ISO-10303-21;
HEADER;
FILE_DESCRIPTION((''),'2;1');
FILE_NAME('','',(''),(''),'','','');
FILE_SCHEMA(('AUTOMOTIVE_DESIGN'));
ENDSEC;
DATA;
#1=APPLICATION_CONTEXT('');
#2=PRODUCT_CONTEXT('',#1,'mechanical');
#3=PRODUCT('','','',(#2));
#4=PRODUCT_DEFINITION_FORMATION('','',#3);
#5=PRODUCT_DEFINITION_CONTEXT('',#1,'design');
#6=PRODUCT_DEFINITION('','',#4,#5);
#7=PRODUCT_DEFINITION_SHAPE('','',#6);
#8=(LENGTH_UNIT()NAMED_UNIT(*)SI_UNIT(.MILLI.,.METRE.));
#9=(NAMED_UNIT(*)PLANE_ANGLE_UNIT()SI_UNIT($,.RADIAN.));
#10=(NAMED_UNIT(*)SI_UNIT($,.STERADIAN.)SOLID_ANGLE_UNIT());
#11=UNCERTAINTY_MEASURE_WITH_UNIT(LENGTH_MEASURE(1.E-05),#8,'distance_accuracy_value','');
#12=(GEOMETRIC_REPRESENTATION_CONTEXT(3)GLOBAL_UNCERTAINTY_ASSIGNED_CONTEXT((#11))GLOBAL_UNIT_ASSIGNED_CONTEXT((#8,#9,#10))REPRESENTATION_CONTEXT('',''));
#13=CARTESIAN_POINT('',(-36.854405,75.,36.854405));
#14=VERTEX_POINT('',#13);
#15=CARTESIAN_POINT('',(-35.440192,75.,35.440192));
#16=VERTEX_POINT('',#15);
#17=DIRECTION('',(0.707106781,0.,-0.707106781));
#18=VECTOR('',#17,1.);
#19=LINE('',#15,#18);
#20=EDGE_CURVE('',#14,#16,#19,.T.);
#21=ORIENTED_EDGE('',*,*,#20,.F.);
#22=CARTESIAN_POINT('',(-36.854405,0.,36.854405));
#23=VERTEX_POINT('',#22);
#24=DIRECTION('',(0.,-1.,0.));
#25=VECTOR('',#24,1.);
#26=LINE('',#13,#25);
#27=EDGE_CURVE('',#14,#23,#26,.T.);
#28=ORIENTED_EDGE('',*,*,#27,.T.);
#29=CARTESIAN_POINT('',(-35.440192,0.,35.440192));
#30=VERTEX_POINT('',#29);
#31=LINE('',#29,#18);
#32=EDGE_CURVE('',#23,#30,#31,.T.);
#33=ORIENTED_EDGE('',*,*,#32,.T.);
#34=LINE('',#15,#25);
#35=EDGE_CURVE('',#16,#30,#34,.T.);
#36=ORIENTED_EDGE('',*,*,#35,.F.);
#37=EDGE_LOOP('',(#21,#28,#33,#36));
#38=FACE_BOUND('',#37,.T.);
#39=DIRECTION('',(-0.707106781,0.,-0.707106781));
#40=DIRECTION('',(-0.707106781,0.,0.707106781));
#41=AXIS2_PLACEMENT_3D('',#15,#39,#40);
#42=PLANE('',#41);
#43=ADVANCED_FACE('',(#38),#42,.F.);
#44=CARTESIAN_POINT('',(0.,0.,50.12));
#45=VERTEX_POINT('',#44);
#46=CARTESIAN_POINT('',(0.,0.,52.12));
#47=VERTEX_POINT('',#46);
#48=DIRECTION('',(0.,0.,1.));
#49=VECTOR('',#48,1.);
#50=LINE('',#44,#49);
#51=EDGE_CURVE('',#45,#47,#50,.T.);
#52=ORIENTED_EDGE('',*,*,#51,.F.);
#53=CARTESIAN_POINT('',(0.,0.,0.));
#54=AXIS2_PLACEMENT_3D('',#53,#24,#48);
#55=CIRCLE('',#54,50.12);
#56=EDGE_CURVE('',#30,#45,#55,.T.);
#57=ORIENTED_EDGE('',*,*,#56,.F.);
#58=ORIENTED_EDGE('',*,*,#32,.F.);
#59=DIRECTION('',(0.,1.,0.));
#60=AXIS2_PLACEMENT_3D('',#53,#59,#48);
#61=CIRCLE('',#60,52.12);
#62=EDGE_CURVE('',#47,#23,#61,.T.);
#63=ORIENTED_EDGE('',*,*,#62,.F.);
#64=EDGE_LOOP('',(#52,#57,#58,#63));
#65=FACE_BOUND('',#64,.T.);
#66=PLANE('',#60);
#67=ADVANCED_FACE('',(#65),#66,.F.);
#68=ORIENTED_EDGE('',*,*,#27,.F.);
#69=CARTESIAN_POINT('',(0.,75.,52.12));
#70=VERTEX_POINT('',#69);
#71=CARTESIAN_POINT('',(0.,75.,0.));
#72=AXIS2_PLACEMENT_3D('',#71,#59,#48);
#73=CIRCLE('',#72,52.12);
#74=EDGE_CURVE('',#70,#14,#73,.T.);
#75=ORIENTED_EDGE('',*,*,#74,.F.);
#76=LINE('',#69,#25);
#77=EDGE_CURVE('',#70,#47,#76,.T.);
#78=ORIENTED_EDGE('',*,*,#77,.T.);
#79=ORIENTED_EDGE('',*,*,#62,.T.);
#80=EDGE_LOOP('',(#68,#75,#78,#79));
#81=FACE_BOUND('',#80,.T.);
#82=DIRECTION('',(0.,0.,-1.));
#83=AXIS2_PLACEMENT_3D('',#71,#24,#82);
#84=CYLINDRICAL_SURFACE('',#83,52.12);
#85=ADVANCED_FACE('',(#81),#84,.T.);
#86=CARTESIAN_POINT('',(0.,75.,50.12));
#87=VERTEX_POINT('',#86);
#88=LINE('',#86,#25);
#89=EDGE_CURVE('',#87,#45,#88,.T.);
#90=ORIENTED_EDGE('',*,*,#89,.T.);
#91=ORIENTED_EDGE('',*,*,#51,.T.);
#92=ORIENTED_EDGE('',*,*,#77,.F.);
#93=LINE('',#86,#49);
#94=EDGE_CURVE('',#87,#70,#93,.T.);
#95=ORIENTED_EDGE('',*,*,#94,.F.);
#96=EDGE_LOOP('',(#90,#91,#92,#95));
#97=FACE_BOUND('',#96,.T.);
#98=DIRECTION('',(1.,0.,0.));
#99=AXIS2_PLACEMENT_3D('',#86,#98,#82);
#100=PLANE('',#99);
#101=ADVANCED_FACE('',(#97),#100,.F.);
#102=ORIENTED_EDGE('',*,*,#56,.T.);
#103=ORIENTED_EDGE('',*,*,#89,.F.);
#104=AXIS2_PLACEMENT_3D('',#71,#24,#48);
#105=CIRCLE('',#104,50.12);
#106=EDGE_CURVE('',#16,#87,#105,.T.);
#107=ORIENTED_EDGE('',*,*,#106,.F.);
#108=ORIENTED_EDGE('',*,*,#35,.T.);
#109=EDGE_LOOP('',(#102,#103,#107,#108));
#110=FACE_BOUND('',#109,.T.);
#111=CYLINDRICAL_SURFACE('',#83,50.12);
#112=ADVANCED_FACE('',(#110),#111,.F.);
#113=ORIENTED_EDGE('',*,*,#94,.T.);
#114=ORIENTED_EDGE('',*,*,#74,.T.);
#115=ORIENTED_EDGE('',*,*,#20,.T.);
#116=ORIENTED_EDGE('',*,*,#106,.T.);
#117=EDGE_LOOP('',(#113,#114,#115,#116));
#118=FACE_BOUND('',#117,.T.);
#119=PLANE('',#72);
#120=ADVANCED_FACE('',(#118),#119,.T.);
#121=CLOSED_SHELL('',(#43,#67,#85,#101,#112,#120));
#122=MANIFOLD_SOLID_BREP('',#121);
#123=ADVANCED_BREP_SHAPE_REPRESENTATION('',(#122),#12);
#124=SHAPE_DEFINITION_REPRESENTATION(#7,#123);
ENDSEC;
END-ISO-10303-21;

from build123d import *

# Parameters (mm, degrees)
BOSS_EXTRUDE1_DEPTH = 75


with BuildPart() as part:
    # Sketch3 → Boss-Extrude1 (new body)
    with BuildSketch(Plane(origin=(0, 0, 0), x_dir=(1, 0, 0), z_dir=(0, 1, 0))):
        with BuildLine():
            Line((0, -50.12), (0, -52.12))
            ThreePointArc((0, -52.12), (19.945460495, 48.152601234), (-36.854405435, -36.854405435))
            Line((-36.854405435, -36.854405435), (-35.440191873, -35.440191873))
            ThreePointArc((-35.440191873, -35.440191873), (19.18009363, 46.304842169), (0, -50.12))
        make_face()
    extrude(amount=BOSS_EXTRUDE1_DEPTH)


solid = part.part
